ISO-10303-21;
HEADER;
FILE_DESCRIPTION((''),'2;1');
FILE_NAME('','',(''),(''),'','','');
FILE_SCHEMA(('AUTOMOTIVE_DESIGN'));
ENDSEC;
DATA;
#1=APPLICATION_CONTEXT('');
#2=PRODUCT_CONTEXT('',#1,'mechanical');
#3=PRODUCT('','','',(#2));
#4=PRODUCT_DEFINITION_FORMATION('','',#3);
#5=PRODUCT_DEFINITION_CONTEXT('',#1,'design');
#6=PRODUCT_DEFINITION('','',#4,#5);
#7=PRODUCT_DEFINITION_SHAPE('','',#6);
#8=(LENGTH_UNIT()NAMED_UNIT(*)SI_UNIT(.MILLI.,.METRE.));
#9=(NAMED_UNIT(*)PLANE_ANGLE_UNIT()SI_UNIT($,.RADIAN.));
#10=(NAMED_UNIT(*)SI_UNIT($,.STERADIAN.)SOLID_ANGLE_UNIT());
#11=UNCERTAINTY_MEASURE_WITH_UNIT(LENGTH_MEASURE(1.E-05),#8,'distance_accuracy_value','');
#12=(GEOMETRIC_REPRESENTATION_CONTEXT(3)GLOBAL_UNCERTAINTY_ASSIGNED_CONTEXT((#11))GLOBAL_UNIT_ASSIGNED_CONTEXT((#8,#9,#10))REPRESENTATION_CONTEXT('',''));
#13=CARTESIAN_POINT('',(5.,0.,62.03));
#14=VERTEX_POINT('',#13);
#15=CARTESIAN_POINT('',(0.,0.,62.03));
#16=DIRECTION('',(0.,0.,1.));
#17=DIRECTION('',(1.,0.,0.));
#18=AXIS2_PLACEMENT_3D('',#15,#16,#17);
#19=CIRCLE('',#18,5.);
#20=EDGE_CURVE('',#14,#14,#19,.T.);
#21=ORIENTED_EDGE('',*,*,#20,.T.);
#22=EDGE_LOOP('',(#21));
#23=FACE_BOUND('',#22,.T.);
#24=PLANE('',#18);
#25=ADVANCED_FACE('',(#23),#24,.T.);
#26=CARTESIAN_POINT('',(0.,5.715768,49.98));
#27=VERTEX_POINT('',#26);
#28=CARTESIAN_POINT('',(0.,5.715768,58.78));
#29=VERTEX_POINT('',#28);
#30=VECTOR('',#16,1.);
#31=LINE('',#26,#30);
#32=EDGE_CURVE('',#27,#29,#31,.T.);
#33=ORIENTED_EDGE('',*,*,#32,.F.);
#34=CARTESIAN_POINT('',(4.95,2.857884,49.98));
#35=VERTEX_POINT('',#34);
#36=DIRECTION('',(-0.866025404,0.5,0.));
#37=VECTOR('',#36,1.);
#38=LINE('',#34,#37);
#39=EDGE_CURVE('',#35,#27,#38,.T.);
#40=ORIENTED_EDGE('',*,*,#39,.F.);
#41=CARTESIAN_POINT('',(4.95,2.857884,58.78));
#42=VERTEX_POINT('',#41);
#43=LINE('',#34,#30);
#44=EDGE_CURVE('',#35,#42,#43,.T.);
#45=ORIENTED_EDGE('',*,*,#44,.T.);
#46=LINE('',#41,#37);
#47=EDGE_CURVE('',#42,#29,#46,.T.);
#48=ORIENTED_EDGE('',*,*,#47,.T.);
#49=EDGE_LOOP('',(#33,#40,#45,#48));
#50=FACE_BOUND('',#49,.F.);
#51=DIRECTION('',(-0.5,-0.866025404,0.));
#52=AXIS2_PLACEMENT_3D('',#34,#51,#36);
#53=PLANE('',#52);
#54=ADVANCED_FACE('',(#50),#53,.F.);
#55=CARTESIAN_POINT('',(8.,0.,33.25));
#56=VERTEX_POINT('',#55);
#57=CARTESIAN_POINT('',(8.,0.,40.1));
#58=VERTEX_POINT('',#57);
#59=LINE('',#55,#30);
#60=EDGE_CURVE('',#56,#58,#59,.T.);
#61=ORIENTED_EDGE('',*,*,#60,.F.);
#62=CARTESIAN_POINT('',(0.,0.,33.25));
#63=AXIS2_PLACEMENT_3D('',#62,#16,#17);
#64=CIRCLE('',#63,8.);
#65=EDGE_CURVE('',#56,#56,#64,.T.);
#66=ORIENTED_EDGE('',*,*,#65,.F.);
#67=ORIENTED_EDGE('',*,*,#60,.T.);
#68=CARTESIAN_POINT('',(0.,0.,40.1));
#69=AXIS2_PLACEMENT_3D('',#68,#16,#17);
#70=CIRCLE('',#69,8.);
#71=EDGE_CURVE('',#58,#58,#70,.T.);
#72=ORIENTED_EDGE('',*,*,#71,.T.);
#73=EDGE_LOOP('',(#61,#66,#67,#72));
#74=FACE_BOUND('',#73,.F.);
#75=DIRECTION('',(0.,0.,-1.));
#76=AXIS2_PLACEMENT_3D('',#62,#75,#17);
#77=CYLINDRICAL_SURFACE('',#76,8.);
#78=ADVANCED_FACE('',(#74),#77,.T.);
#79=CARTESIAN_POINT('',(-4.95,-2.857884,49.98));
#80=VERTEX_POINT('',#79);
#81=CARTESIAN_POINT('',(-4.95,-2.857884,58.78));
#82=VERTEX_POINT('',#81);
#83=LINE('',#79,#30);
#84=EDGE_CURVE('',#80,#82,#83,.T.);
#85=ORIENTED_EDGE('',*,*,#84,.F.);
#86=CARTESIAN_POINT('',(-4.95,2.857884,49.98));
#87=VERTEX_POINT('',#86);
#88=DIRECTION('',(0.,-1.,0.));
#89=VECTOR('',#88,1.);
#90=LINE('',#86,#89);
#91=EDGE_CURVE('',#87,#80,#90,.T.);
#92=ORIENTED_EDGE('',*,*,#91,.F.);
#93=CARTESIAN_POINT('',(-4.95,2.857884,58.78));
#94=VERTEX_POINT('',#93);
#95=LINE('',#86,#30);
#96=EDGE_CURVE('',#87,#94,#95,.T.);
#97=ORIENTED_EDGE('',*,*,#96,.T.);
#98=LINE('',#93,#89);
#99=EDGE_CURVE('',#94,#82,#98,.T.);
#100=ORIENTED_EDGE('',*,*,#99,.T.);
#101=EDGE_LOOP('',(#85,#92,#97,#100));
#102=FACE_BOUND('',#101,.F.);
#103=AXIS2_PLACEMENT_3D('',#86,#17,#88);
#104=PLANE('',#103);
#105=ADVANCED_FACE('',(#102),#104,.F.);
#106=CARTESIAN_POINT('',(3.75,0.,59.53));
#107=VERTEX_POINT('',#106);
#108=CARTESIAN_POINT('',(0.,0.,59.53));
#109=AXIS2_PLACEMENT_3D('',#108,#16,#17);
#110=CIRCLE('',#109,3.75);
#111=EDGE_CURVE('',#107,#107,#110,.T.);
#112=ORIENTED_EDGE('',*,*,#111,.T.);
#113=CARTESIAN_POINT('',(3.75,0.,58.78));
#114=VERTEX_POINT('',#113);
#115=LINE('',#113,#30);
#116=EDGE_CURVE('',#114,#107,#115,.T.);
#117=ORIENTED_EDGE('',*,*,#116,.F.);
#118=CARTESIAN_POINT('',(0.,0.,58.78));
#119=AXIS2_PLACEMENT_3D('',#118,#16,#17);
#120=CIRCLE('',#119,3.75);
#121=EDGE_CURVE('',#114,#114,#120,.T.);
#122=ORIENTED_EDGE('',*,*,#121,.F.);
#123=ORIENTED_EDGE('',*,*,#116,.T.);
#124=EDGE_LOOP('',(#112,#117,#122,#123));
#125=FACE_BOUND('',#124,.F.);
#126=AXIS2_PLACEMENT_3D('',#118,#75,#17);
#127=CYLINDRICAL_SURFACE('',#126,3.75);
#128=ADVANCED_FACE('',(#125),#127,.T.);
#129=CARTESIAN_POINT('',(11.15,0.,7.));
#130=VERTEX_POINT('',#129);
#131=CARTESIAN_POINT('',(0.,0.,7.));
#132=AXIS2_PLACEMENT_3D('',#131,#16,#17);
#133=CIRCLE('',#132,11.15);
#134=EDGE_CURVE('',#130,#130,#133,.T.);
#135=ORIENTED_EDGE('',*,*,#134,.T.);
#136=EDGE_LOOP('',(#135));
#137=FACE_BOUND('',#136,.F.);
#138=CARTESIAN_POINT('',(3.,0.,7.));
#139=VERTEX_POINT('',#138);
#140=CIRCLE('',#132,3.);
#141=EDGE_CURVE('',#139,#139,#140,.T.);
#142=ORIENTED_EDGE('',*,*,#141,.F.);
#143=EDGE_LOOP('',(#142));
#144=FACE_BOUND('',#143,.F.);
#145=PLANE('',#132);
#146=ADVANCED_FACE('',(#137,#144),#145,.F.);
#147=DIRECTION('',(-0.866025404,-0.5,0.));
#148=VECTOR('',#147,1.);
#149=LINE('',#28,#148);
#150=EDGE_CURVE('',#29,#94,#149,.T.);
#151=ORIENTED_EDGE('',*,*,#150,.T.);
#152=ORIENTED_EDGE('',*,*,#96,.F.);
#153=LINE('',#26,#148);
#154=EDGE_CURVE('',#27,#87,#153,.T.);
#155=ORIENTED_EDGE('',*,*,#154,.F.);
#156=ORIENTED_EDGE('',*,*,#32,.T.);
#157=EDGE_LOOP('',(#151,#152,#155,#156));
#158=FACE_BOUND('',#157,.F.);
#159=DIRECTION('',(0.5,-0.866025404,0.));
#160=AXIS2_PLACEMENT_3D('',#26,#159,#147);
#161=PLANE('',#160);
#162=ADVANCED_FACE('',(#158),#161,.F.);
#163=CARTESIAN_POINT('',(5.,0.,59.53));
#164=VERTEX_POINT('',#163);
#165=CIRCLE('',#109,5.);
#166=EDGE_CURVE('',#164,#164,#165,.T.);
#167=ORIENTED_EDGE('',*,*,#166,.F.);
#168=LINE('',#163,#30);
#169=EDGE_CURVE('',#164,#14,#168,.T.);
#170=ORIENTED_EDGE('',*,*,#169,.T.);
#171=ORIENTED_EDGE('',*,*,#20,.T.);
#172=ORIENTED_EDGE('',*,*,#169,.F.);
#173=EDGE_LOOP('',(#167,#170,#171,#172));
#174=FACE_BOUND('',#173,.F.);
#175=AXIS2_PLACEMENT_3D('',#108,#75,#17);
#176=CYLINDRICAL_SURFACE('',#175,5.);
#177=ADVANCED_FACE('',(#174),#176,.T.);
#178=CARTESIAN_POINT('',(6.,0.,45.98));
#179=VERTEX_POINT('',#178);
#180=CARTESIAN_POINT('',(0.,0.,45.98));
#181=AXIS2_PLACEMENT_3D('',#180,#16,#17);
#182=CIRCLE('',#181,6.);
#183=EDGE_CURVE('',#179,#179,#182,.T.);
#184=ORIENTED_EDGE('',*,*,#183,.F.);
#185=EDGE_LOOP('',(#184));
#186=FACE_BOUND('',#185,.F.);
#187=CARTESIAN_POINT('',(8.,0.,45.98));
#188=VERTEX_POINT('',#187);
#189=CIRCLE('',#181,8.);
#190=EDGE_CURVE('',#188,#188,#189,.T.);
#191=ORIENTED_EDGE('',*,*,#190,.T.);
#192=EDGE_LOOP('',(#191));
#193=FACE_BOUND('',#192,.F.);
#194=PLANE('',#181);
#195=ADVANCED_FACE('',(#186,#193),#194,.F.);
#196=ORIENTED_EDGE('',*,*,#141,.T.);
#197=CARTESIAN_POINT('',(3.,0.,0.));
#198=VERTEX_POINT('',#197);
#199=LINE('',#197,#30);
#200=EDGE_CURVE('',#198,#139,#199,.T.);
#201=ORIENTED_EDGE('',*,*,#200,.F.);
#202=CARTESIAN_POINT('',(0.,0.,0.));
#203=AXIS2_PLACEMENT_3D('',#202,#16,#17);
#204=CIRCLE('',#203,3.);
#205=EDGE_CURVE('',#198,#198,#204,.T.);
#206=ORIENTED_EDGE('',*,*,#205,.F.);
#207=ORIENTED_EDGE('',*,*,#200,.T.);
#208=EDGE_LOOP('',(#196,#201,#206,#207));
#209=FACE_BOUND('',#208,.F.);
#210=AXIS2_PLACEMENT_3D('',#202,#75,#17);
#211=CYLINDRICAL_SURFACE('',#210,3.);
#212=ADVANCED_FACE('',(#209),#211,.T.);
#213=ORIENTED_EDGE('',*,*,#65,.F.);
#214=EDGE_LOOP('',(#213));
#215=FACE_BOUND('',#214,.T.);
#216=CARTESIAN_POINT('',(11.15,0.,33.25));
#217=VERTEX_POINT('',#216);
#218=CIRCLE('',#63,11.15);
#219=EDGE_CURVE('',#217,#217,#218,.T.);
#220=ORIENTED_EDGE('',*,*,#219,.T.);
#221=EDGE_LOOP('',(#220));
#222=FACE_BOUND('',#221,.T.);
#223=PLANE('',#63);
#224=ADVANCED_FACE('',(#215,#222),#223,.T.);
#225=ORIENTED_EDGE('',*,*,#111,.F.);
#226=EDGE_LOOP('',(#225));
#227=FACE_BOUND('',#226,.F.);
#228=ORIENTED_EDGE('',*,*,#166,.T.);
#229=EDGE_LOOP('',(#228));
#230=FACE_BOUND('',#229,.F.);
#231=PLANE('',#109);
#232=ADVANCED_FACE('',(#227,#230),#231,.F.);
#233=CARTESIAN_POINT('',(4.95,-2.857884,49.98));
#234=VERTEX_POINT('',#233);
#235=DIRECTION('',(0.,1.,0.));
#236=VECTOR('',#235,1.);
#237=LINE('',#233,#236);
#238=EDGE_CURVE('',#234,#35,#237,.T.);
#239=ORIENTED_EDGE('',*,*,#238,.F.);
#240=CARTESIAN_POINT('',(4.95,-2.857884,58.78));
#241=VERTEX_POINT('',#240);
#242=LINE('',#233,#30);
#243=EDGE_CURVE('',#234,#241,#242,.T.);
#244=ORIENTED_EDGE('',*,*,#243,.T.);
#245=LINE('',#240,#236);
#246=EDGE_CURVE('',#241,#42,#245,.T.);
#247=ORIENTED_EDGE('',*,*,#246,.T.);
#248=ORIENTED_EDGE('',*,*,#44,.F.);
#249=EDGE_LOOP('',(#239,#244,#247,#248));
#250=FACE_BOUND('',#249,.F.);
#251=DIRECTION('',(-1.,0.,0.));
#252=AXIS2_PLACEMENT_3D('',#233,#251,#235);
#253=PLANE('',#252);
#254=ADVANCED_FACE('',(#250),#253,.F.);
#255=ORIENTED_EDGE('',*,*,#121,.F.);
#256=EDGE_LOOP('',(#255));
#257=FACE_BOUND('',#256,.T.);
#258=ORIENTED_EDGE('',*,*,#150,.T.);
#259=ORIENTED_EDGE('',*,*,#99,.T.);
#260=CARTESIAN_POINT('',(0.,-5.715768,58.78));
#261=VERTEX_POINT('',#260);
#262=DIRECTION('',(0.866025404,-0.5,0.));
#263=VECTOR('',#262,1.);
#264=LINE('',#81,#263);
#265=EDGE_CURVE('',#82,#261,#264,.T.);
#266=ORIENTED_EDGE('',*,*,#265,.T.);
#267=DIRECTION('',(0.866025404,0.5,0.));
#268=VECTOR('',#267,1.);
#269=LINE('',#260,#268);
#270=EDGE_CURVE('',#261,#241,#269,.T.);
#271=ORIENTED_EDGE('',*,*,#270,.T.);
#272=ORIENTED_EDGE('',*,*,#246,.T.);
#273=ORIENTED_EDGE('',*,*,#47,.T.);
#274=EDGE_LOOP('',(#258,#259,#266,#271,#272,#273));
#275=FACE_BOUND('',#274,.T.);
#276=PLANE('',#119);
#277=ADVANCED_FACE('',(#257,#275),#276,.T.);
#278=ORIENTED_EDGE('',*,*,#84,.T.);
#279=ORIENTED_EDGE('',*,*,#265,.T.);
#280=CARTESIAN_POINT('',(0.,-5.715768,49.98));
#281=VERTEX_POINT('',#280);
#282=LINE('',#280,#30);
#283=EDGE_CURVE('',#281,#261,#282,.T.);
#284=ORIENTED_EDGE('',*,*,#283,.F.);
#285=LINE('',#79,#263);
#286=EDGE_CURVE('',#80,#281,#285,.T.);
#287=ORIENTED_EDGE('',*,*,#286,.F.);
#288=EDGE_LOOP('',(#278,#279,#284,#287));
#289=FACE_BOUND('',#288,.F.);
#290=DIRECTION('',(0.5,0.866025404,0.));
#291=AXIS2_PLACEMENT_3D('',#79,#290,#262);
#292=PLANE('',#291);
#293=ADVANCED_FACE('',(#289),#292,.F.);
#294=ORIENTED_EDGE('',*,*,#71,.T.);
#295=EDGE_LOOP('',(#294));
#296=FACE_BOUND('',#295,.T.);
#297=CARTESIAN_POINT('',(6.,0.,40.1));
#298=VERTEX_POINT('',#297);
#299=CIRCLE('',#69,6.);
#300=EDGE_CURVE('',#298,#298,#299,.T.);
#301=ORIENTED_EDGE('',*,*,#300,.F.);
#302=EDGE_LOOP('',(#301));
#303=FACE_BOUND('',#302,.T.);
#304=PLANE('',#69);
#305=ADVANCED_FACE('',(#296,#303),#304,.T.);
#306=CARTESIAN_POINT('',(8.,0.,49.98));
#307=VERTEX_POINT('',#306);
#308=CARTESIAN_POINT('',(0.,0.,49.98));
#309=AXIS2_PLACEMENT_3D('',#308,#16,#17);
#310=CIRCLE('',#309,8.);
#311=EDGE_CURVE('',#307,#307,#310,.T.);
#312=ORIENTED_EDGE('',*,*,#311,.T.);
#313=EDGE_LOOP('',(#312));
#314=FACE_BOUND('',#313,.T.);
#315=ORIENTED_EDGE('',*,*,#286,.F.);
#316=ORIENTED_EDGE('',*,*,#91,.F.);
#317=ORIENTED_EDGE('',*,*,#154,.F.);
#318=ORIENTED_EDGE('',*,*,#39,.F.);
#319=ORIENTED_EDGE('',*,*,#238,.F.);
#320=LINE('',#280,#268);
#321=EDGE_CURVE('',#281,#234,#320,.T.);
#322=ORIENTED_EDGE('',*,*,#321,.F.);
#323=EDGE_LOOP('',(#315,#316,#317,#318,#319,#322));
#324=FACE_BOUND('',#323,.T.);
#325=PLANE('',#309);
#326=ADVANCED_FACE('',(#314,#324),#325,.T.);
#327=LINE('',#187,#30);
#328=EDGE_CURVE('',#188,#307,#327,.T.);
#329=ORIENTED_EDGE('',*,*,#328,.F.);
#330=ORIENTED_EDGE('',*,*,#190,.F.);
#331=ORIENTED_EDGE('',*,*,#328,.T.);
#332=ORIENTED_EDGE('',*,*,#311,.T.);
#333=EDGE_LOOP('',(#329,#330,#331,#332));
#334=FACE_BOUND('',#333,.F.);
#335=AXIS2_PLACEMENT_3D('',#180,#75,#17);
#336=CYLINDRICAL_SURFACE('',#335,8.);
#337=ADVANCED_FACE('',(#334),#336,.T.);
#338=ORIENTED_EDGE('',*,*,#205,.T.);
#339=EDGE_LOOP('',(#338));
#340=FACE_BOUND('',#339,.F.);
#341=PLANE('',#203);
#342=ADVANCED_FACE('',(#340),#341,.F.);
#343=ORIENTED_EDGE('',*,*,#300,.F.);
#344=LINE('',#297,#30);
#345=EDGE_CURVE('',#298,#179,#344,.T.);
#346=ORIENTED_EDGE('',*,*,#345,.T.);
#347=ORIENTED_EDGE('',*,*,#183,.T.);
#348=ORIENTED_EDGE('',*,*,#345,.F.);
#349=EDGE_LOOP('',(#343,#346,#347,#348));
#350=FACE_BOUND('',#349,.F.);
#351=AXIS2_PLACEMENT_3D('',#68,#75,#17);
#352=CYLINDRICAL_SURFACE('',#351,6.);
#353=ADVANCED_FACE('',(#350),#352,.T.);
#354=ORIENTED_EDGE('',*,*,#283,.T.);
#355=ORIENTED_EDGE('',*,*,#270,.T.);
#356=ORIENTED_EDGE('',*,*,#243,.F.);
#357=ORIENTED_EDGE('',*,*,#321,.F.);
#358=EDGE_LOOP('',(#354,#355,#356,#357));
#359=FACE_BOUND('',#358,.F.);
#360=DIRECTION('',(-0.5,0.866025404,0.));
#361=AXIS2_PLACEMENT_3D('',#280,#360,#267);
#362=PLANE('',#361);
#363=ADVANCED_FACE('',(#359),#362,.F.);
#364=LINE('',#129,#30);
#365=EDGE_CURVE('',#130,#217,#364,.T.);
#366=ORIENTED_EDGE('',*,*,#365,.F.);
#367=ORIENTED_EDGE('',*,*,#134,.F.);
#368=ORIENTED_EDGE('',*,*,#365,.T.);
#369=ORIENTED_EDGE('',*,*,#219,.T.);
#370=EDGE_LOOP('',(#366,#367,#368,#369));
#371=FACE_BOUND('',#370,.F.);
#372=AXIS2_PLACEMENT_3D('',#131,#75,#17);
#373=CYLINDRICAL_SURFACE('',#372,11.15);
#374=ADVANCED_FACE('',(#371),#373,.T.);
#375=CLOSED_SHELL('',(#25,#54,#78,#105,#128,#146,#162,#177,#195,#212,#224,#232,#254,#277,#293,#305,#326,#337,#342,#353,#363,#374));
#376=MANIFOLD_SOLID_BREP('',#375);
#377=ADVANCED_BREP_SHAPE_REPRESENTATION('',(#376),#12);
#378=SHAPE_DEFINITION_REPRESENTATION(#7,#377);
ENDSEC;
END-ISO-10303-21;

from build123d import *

# Parameters (mm, degrees)
F0_R      = 3
F1_DEPTH  = 7
F2_R      = 11.15
F3_DEPTH  = 26.25
F4_R      = 8
F5_DEPTH  = 6.85
F6_R      = 6
F7_DEPTH  = 5.88
F8_R      = 8
F9_DEPTH  = 4
F11_DEPTH = 8.8
F12_R     = 3.75
F13_DEPTH = 0.75
F14_R     = 5
F15_DEPTH = 2.5


with BuildPart() as f1:
    # F0 (on Top) → F1 (new body)
    with BuildSketch(Plane.XY):
        Circle(F0_R)
    extrude(amount=F1_DEPTH)

    # F2 (on face) → F3 (join)
    with BuildSketch(Plane.XY.offset(7)):
        Circle(F2_R)
    extrude(amount=F3_DEPTH)

    # F4 (on face) → F5 (join)
    with BuildSketch(Plane.XY.offset(33.25)):
        Circle(F4_R)
    extrude(amount=F5_DEPTH)

    # F6 (on face) → F7 (join)
    with BuildSketch(Plane.XY.offset(40.1)):
        Circle(F6_R)
    extrude(amount=F7_DEPTH)

    # F8 (on face) → F9 (join)
    with BuildSketch(Plane.XY.offset(45.98)):
        Circle(F8_R)
    extrude(amount=F9_DEPTH)

    # F10 (on face) → F11 (join)
    with BuildSketch(Plane.XY.offset(49.98)):
        Polygon((-4.95, 2.8578838325), (-4.95, -2.8578838325), (0, -5.715767665), (4.95, -2.8578838325), (4.95, 2.8578838325), (0, 5.715767665), align=None)
    extrude(amount=F11_DEPTH)

    # F12 (on face) → F13 (join)
    with BuildSketch(Plane.XY.offset(58.78)):
        Circle(F12_R)
    extrude(amount=F13_DEPTH)

    # F14 (on face) → F15 (join)
    with BuildSketch(Plane.XY.offset(59.53)):
        Circle(F14_R)
    extrude(amount=F15_DEPTH)


solid = f1.part
